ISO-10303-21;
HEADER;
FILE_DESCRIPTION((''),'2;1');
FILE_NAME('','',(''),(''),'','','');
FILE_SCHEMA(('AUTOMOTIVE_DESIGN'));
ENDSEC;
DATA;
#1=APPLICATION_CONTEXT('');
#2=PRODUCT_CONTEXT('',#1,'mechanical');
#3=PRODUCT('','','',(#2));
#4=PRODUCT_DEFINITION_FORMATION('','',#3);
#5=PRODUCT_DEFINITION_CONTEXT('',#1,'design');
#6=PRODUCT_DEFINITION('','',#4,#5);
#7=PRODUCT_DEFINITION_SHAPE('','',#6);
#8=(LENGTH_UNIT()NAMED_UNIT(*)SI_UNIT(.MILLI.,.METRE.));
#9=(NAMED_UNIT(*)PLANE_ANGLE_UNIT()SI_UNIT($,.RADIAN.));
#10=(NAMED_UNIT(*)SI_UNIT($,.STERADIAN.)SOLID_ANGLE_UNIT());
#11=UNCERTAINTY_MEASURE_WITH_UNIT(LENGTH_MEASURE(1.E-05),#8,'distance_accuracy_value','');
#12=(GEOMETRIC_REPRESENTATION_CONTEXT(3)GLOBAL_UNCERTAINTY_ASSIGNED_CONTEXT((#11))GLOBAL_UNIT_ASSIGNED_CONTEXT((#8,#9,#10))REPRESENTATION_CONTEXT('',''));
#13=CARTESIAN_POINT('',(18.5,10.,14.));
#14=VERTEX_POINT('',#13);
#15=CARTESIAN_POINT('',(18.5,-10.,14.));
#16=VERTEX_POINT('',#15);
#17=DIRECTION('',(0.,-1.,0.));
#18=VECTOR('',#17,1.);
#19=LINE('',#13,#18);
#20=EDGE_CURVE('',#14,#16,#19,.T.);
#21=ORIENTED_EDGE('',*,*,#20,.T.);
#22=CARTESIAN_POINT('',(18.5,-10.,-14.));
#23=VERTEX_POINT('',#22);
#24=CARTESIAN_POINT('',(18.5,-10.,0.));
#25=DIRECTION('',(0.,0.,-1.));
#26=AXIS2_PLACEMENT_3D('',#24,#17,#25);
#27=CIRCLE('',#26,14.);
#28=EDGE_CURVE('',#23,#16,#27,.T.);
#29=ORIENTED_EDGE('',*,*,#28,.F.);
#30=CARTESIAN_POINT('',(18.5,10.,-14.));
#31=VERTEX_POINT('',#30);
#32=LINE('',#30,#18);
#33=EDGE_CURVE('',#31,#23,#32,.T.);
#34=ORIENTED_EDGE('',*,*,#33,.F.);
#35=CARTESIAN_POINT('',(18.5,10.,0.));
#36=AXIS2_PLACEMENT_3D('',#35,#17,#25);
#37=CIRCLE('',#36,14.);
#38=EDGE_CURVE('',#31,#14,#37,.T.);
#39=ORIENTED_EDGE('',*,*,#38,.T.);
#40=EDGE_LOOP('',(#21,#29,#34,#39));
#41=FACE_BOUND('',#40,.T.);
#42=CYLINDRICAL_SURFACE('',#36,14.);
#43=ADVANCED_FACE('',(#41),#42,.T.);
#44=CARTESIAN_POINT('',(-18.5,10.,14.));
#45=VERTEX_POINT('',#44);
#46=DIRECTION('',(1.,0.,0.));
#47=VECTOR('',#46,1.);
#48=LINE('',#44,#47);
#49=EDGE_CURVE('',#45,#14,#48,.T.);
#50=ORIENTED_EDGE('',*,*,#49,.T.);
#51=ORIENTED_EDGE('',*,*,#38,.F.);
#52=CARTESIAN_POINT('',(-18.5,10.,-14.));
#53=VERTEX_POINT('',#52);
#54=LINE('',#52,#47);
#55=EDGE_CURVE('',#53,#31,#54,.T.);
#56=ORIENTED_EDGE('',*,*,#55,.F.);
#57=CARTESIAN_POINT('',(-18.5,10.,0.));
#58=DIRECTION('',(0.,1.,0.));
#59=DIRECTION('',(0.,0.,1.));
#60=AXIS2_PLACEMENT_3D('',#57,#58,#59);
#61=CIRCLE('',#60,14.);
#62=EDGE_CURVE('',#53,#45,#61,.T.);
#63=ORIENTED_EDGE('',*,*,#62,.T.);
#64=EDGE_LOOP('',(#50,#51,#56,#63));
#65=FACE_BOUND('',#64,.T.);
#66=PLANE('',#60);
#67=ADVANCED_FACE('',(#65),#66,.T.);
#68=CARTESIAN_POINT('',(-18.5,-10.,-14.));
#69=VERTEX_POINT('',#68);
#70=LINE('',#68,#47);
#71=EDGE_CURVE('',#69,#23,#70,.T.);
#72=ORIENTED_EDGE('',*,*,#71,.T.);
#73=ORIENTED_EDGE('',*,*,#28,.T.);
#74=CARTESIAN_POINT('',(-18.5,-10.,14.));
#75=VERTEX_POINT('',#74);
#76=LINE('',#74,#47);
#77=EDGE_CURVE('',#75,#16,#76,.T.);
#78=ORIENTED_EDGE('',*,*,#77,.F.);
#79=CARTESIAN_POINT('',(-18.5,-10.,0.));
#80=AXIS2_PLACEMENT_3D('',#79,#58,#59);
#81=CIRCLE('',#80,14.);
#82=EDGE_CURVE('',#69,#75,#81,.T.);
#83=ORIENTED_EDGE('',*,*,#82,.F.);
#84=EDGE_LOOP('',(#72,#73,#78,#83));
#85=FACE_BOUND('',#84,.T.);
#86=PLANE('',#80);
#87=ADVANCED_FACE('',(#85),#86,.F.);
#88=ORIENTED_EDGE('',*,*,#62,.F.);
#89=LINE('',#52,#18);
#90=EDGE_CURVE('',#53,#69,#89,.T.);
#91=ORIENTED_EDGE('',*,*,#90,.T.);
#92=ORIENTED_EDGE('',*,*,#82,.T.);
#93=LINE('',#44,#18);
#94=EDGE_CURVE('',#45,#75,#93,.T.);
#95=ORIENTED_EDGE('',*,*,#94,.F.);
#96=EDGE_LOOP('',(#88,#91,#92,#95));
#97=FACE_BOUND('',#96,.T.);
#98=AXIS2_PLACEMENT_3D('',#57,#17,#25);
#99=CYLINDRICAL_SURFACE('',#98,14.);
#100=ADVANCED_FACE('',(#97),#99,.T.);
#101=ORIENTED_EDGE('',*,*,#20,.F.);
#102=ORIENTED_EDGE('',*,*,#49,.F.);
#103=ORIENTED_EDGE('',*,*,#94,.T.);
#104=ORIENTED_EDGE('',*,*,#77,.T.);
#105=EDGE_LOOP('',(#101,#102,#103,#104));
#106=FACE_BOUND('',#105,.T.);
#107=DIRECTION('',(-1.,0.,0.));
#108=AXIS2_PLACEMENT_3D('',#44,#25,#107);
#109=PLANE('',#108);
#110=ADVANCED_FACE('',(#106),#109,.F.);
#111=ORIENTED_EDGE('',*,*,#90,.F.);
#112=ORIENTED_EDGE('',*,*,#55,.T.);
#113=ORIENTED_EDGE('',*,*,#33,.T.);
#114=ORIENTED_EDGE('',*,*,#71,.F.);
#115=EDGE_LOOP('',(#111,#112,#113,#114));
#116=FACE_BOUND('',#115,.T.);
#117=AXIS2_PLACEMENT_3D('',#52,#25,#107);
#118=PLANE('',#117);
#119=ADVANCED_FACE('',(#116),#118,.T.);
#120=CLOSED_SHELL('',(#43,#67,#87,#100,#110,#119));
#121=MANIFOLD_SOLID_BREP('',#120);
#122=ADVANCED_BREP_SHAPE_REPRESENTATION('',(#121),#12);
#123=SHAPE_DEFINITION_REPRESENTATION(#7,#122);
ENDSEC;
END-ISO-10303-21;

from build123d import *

# Parameters (mm, degrees)
BOSS_EXTRUDE1_DEPTH = 10


with BuildPart() as part:
    # Sketch1 → Boss-Extrude1 (new, symmetric)
    with BuildSketch(Plane(origin=(0, 0, 0), x_dir=(1, 0, 0), z_dir=(0, 1, 0))):
        with BuildLine():
            Line((-18.5, 14), (18.5, 14))
            ThreePointArc((18.5, 14), (32.5, 0), (18.5, -14))
            Line((18.5, -14), (-18.5, -14))
            ThreePointArc((-18.5, -14), (-32.5, 0), (-18.5, 14))
        make_face()
    extrude(amount=BOSS_EXTRUDE1_DEPTH, both=True)


solid = part.part
